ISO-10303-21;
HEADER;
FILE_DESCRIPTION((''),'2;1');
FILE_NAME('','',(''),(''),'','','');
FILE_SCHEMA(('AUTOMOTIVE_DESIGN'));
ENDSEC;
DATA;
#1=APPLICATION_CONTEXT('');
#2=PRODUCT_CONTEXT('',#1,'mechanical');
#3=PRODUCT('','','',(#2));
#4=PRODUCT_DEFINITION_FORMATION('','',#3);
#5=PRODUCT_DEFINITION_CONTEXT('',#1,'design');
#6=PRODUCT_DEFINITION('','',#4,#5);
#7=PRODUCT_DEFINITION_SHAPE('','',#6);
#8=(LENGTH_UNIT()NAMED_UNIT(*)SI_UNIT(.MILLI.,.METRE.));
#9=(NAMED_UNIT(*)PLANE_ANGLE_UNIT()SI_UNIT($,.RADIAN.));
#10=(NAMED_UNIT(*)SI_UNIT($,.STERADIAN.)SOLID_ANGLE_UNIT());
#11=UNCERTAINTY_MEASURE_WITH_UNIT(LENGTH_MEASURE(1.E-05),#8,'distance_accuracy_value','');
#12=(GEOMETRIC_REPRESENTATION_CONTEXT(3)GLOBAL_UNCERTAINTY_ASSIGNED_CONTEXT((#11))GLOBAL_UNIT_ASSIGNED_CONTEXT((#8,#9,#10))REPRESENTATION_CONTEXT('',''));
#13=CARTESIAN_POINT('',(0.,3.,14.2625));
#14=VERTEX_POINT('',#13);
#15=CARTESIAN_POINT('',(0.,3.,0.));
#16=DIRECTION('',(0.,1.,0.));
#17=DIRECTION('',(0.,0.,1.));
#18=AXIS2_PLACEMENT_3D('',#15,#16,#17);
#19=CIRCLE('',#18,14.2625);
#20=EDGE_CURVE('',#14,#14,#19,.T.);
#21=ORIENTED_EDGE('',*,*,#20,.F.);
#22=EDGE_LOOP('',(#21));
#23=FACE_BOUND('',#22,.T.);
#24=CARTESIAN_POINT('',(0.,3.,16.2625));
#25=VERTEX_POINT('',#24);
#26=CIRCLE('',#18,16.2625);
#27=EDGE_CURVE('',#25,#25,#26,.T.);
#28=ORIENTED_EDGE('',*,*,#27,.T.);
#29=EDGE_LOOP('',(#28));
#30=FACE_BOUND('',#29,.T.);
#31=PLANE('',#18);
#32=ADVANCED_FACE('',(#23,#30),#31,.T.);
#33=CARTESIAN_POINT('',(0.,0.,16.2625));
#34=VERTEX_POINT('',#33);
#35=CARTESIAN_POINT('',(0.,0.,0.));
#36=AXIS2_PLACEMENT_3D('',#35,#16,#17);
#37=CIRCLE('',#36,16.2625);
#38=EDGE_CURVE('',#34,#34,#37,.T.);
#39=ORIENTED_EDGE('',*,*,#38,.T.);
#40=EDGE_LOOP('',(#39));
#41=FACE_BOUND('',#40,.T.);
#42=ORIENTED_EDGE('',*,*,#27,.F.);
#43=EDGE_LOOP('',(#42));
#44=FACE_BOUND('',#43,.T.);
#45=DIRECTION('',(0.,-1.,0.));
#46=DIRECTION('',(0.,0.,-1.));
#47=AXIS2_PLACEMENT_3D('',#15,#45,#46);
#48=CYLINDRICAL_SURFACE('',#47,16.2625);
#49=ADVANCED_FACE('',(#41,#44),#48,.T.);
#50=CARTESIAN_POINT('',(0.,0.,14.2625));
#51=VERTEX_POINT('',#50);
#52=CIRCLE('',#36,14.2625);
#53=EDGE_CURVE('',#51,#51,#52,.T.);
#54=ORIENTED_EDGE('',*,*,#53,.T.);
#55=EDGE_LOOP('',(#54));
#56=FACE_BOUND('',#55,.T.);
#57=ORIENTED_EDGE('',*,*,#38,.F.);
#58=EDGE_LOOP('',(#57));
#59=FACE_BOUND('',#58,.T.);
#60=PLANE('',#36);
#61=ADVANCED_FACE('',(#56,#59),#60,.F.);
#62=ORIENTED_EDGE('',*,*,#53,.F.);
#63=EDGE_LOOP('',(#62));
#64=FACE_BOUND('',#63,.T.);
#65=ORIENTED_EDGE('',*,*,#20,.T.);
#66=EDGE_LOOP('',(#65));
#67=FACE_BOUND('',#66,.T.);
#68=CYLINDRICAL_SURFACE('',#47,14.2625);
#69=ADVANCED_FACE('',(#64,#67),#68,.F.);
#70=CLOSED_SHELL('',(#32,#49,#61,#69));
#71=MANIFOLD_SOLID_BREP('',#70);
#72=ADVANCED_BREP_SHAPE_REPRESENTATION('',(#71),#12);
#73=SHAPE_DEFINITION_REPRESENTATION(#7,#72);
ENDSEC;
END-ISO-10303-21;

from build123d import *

# Parameters (mm, degrees)
SKETCH1_R           = 16.2625
SKETCH1_R_2         = 14.2625
BOSS_EXTRUDE1_DEPTH = 3


with BuildPart() as part:
    # Sketch1 → Boss-Extrude1 (new body)
    with BuildSketch(Plane(origin=(0, 0, 0), x_dir=(1, 0, 0), z_dir=(0, 1, 0))):
        with Locations(Location((0, 0, 0), (0, 0, 270))):
            Circle(SKETCH1_R)
        with Locations(Location((0, 0, 0), (0, 0, 270))):
            Circle(SKETCH1_R_2, mode=Mode.SUBTRACT)
    extrude(amount=BOSS_EXTRUDE1_DEPTH)


solid = part.part
